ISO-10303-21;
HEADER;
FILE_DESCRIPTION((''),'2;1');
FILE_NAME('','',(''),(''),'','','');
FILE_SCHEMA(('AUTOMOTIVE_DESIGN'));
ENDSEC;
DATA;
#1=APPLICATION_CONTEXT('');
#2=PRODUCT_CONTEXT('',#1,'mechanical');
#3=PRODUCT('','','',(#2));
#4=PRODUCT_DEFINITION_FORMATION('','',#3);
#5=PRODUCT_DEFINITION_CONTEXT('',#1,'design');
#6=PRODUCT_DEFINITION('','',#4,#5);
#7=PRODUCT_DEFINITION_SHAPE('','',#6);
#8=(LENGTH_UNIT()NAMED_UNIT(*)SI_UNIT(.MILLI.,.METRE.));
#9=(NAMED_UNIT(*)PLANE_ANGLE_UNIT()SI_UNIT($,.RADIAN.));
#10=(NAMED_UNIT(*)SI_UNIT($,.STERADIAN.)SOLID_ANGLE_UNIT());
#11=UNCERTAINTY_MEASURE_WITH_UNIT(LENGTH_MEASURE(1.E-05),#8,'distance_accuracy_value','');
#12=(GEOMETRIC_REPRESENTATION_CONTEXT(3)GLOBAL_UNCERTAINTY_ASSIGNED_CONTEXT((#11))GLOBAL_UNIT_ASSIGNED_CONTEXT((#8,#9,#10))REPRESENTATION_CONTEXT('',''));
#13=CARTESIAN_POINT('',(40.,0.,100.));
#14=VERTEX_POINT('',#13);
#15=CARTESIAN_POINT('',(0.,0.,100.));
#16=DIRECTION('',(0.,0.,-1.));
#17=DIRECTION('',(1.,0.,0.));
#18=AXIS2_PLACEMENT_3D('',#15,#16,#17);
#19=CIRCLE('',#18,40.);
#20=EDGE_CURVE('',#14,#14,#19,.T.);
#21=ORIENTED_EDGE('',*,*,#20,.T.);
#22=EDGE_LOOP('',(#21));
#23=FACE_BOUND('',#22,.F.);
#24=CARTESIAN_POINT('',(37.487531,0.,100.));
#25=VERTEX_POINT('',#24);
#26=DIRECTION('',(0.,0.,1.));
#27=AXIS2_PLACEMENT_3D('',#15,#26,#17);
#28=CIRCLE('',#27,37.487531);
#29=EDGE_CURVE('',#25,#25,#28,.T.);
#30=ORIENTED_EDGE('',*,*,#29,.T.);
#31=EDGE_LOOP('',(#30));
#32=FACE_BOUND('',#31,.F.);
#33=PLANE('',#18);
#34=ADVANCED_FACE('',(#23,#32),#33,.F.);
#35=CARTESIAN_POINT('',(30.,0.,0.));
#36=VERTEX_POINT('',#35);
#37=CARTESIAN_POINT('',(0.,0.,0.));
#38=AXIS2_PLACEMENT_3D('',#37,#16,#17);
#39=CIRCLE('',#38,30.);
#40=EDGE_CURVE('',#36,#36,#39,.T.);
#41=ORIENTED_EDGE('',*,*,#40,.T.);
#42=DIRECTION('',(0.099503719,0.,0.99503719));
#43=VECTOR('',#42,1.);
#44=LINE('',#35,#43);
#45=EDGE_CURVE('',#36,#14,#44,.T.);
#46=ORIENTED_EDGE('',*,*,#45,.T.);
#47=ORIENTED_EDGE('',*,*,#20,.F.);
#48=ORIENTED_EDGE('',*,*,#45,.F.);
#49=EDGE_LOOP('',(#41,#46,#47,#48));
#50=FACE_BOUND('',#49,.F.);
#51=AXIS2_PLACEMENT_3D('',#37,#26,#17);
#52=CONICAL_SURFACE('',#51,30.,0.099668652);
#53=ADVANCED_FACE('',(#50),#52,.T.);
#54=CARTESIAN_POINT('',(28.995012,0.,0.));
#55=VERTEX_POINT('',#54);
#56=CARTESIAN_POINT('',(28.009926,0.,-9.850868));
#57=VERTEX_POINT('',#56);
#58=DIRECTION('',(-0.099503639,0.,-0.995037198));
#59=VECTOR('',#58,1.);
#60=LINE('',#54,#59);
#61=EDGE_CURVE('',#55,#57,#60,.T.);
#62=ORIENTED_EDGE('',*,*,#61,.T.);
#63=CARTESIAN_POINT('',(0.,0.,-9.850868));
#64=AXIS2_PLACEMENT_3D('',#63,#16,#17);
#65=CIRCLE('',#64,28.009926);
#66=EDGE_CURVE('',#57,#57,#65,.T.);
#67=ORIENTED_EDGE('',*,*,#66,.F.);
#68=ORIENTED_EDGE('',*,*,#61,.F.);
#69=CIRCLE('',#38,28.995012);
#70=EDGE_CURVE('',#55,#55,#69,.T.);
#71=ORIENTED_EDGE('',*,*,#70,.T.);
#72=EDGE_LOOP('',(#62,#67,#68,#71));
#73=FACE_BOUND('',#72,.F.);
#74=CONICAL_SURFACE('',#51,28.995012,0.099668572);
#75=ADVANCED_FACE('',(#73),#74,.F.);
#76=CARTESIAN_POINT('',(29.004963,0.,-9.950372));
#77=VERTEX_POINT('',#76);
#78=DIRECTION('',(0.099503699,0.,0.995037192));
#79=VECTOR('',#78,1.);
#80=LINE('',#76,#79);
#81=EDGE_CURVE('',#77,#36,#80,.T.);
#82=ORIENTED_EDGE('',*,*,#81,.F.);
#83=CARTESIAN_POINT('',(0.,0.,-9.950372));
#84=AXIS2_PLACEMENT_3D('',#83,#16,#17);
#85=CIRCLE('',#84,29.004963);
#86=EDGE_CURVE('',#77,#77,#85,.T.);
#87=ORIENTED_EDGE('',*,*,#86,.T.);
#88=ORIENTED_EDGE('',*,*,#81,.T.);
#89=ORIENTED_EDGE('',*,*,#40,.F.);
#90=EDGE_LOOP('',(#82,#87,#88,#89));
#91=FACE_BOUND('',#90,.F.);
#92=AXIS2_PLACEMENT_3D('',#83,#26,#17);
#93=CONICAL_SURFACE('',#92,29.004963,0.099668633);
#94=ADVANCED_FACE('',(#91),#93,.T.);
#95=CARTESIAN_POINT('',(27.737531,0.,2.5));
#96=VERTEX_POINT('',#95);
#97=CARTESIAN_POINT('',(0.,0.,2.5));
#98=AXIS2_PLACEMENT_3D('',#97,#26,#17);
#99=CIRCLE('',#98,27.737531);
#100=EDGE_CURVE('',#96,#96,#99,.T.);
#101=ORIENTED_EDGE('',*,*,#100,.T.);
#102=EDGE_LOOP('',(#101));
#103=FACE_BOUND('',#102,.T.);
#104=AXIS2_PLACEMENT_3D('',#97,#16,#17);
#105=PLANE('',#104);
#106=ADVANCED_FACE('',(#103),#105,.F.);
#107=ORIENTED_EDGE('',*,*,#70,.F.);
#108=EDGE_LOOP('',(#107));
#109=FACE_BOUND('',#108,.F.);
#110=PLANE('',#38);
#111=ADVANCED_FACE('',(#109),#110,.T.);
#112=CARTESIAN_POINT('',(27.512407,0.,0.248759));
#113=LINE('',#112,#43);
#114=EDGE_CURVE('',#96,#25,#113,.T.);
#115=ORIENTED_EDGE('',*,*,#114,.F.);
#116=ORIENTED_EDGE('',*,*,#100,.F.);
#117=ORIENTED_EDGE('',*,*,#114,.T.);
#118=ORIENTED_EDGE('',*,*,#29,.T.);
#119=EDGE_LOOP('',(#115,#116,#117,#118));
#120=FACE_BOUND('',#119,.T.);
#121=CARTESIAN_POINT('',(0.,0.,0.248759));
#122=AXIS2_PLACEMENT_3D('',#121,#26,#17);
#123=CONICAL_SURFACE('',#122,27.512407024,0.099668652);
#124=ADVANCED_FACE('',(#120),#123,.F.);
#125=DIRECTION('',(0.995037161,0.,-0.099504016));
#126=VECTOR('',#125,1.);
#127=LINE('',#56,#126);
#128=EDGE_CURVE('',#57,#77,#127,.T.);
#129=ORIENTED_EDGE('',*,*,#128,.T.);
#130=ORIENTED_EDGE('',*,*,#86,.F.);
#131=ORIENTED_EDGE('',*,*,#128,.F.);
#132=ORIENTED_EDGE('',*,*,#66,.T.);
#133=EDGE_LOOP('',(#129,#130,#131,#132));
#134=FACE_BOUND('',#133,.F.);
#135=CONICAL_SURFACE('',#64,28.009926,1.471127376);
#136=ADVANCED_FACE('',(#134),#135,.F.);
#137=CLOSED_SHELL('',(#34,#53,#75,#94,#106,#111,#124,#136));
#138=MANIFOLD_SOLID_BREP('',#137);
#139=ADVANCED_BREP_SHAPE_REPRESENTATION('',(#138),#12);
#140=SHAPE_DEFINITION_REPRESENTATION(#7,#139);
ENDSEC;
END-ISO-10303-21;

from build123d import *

# Parameters (mm, degrees)
F2_T = -2.5


with BuildPart() as f1:
    # F0 (on Front) → F1 (revolve)
    with BuildSketch(Plane.XZ):
        Polygon((40, 100), (0, 100), (0, 0), (28.995012, 0), (30, 0), align=None)
        Polygon((29.004963, -9.950372), (30, 0), (28.995012, 0), (28.009926, -9.850868), align=None)
    revolve(axis=Axis((0, 0, 50), (0, 0, -1)))

    # F2
    f2_openings = [f1.faces().sort_by_distance(p)[0] for p in [
        (0, 0, 100),
    ]]
    offset(amount=F2_T, openings=f2_openings)


solid = f1.part
